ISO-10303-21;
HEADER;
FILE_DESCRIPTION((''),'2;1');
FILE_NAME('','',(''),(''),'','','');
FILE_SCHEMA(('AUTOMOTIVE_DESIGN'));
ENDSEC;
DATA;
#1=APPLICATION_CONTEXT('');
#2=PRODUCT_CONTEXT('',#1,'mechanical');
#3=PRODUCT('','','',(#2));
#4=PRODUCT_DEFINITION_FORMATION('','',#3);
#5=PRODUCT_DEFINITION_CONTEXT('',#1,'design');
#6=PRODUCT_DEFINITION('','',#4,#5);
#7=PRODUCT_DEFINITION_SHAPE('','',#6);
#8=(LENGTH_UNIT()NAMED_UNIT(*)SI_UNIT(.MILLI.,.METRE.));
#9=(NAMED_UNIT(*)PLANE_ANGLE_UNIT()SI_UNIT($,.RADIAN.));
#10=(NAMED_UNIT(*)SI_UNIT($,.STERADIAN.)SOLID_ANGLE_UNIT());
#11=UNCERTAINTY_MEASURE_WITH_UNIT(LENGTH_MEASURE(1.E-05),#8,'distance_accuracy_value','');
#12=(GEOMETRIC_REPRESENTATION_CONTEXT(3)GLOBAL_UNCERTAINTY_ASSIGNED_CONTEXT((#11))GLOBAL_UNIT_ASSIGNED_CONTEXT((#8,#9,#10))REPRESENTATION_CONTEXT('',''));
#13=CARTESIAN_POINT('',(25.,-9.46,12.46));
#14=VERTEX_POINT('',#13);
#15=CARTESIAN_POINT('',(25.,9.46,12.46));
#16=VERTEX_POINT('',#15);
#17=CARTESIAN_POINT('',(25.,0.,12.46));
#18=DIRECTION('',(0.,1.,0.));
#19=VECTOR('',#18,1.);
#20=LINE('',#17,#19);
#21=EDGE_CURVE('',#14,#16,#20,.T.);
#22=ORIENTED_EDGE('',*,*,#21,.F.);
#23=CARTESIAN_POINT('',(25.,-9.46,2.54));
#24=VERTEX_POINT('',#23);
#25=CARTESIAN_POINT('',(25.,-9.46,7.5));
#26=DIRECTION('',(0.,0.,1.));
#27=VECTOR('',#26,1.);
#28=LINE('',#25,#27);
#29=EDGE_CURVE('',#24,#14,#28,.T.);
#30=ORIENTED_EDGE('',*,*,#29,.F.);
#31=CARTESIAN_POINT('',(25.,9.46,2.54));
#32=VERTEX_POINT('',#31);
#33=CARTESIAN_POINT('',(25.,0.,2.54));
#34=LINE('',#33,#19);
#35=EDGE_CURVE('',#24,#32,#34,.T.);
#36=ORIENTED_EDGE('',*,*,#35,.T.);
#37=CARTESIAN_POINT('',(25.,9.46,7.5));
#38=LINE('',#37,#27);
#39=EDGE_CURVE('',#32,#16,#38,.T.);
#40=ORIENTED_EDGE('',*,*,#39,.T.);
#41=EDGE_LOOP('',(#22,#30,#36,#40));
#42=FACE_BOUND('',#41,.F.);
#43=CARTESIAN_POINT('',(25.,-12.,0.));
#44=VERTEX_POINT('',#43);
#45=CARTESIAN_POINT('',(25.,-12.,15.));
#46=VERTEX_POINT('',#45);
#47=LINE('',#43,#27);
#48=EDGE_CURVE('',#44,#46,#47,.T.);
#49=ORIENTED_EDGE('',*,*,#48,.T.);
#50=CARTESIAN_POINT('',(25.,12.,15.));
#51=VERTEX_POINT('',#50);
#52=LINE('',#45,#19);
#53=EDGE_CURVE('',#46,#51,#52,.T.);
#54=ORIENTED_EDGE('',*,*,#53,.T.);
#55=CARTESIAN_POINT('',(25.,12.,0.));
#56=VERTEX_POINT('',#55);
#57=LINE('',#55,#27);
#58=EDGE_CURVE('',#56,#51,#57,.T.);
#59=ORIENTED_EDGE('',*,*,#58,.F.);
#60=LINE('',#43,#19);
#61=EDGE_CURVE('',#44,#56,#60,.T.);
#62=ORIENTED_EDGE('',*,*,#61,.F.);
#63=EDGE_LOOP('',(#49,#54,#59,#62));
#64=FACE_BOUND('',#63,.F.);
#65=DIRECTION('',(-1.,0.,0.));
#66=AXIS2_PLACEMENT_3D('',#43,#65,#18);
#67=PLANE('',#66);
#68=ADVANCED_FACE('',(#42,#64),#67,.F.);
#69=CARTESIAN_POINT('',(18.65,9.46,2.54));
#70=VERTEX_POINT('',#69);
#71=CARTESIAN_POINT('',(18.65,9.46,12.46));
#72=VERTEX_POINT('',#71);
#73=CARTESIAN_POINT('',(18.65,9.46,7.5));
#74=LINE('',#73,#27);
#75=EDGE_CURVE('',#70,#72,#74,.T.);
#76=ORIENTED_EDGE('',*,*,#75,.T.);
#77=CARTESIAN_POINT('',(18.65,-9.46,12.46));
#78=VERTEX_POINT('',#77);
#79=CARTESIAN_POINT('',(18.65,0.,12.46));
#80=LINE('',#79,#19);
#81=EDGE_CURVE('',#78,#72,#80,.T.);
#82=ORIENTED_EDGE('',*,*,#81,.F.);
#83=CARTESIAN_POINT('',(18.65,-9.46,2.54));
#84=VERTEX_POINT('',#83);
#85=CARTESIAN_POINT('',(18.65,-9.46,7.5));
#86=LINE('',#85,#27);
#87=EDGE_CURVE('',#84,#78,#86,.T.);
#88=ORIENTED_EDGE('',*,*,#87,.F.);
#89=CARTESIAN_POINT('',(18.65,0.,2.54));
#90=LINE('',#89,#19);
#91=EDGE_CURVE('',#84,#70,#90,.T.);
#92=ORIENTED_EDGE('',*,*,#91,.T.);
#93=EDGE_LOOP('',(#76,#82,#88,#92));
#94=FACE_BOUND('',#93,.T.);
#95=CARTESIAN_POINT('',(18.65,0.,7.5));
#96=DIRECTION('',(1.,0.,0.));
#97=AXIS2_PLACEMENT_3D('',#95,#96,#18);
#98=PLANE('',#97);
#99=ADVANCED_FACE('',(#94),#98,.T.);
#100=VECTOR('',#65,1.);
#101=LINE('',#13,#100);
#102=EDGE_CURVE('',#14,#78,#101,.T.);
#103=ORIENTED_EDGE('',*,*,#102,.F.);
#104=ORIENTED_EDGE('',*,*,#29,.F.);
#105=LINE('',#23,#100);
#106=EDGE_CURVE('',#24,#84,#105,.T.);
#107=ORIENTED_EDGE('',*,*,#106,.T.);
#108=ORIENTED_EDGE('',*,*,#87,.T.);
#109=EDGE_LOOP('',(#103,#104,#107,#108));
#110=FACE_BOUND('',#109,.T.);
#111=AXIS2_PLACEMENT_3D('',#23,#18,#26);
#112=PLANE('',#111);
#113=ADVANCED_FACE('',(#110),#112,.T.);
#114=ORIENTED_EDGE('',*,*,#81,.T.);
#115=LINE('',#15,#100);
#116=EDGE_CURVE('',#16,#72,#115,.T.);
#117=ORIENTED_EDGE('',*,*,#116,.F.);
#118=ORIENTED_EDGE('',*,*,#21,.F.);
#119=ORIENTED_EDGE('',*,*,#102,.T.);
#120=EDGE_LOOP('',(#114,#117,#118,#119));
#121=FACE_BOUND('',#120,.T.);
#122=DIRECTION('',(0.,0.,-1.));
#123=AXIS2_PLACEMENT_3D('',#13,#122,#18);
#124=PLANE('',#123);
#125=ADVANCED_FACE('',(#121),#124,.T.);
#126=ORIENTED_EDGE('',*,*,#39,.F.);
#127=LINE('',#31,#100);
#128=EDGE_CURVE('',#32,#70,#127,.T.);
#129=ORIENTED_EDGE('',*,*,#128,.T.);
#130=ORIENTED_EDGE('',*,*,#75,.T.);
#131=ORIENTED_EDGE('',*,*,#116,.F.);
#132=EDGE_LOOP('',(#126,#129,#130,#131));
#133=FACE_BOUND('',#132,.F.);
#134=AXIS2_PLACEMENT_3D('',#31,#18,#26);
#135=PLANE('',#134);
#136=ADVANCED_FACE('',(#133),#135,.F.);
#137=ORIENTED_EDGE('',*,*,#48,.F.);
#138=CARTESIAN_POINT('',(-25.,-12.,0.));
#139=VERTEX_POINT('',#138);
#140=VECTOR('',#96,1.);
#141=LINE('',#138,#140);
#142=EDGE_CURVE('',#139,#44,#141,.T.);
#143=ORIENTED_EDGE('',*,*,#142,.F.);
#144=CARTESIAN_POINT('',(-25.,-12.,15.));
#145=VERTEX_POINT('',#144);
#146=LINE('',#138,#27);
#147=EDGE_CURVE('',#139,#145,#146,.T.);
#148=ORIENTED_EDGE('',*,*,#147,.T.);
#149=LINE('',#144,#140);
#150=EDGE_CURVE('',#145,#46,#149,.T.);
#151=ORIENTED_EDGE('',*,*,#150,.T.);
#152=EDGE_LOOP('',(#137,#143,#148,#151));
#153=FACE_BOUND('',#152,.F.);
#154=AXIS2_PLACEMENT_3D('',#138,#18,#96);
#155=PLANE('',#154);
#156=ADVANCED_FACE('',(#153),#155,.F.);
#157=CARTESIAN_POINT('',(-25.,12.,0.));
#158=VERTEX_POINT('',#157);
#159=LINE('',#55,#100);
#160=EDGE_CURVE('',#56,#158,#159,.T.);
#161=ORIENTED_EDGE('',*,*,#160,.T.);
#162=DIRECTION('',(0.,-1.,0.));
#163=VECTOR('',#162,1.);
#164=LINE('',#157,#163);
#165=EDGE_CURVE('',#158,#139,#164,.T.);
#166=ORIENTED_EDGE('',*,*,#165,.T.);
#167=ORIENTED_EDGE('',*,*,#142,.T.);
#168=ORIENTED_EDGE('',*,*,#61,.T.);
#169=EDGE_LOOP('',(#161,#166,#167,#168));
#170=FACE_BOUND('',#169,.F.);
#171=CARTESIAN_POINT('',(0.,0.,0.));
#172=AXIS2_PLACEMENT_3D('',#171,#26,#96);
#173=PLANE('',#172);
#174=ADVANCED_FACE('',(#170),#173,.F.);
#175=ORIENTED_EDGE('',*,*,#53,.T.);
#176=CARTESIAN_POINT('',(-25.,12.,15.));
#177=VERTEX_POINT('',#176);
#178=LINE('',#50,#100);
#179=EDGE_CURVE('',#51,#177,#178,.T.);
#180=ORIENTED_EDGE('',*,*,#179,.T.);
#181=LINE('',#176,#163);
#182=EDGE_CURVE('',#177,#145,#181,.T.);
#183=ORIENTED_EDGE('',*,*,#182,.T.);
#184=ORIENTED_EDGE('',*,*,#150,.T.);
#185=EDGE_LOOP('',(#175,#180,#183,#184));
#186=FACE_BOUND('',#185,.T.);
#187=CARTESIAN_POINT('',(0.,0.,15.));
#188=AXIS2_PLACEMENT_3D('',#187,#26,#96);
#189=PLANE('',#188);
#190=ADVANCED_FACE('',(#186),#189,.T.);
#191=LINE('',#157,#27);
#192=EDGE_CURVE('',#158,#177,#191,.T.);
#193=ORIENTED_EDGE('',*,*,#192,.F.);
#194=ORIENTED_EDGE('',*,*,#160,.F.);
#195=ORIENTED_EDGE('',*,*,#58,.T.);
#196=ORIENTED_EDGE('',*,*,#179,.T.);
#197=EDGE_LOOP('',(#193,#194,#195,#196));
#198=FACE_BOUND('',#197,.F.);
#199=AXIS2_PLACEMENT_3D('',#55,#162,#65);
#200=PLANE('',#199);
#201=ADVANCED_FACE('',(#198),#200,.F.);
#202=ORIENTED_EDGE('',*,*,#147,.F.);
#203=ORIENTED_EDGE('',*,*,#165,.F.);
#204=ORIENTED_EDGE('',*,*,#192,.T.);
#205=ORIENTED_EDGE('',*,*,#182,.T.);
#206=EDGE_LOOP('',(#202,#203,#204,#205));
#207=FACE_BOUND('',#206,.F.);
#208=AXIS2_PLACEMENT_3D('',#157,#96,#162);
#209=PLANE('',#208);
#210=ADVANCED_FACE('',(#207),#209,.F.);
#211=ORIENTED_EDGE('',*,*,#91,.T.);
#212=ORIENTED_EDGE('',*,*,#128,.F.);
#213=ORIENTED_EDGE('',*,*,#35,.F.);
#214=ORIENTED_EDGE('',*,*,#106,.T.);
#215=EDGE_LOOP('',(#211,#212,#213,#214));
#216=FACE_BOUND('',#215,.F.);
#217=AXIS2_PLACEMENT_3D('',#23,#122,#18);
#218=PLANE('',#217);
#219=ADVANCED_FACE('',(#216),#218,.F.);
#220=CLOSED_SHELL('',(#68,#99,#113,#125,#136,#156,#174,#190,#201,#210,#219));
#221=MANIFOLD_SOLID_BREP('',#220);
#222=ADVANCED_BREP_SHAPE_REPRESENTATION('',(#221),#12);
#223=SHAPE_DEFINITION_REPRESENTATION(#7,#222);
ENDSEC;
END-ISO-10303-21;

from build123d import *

# Parameters (mm, degrees)
F1_DEPTH = 15
F2_W     = 18.92
F2_H     = 9.92
F3_DEPTH = 6.35


with BuildPart() as f1:
    # F0 (on Top) → F1 (new body)
    with BuildSketch(Plane.XY):
        Polygon((-25, 12), (-25, 0), (-25, -12), (25, -12), (25, 0), (25, 12), align=None)
    extrude(amount=F1_DEPTH)

    # F2 (on face) → F3 (cut)
    with BuildSketch(Plane.YZ.offset(25)):
        with Locations((0, 7.5)):
            Rectangle(F2_W, F2_H)
    extrude(amount=-F3_DEPTH, mode=Mode.SUBTRACT)


solid = f1.part
